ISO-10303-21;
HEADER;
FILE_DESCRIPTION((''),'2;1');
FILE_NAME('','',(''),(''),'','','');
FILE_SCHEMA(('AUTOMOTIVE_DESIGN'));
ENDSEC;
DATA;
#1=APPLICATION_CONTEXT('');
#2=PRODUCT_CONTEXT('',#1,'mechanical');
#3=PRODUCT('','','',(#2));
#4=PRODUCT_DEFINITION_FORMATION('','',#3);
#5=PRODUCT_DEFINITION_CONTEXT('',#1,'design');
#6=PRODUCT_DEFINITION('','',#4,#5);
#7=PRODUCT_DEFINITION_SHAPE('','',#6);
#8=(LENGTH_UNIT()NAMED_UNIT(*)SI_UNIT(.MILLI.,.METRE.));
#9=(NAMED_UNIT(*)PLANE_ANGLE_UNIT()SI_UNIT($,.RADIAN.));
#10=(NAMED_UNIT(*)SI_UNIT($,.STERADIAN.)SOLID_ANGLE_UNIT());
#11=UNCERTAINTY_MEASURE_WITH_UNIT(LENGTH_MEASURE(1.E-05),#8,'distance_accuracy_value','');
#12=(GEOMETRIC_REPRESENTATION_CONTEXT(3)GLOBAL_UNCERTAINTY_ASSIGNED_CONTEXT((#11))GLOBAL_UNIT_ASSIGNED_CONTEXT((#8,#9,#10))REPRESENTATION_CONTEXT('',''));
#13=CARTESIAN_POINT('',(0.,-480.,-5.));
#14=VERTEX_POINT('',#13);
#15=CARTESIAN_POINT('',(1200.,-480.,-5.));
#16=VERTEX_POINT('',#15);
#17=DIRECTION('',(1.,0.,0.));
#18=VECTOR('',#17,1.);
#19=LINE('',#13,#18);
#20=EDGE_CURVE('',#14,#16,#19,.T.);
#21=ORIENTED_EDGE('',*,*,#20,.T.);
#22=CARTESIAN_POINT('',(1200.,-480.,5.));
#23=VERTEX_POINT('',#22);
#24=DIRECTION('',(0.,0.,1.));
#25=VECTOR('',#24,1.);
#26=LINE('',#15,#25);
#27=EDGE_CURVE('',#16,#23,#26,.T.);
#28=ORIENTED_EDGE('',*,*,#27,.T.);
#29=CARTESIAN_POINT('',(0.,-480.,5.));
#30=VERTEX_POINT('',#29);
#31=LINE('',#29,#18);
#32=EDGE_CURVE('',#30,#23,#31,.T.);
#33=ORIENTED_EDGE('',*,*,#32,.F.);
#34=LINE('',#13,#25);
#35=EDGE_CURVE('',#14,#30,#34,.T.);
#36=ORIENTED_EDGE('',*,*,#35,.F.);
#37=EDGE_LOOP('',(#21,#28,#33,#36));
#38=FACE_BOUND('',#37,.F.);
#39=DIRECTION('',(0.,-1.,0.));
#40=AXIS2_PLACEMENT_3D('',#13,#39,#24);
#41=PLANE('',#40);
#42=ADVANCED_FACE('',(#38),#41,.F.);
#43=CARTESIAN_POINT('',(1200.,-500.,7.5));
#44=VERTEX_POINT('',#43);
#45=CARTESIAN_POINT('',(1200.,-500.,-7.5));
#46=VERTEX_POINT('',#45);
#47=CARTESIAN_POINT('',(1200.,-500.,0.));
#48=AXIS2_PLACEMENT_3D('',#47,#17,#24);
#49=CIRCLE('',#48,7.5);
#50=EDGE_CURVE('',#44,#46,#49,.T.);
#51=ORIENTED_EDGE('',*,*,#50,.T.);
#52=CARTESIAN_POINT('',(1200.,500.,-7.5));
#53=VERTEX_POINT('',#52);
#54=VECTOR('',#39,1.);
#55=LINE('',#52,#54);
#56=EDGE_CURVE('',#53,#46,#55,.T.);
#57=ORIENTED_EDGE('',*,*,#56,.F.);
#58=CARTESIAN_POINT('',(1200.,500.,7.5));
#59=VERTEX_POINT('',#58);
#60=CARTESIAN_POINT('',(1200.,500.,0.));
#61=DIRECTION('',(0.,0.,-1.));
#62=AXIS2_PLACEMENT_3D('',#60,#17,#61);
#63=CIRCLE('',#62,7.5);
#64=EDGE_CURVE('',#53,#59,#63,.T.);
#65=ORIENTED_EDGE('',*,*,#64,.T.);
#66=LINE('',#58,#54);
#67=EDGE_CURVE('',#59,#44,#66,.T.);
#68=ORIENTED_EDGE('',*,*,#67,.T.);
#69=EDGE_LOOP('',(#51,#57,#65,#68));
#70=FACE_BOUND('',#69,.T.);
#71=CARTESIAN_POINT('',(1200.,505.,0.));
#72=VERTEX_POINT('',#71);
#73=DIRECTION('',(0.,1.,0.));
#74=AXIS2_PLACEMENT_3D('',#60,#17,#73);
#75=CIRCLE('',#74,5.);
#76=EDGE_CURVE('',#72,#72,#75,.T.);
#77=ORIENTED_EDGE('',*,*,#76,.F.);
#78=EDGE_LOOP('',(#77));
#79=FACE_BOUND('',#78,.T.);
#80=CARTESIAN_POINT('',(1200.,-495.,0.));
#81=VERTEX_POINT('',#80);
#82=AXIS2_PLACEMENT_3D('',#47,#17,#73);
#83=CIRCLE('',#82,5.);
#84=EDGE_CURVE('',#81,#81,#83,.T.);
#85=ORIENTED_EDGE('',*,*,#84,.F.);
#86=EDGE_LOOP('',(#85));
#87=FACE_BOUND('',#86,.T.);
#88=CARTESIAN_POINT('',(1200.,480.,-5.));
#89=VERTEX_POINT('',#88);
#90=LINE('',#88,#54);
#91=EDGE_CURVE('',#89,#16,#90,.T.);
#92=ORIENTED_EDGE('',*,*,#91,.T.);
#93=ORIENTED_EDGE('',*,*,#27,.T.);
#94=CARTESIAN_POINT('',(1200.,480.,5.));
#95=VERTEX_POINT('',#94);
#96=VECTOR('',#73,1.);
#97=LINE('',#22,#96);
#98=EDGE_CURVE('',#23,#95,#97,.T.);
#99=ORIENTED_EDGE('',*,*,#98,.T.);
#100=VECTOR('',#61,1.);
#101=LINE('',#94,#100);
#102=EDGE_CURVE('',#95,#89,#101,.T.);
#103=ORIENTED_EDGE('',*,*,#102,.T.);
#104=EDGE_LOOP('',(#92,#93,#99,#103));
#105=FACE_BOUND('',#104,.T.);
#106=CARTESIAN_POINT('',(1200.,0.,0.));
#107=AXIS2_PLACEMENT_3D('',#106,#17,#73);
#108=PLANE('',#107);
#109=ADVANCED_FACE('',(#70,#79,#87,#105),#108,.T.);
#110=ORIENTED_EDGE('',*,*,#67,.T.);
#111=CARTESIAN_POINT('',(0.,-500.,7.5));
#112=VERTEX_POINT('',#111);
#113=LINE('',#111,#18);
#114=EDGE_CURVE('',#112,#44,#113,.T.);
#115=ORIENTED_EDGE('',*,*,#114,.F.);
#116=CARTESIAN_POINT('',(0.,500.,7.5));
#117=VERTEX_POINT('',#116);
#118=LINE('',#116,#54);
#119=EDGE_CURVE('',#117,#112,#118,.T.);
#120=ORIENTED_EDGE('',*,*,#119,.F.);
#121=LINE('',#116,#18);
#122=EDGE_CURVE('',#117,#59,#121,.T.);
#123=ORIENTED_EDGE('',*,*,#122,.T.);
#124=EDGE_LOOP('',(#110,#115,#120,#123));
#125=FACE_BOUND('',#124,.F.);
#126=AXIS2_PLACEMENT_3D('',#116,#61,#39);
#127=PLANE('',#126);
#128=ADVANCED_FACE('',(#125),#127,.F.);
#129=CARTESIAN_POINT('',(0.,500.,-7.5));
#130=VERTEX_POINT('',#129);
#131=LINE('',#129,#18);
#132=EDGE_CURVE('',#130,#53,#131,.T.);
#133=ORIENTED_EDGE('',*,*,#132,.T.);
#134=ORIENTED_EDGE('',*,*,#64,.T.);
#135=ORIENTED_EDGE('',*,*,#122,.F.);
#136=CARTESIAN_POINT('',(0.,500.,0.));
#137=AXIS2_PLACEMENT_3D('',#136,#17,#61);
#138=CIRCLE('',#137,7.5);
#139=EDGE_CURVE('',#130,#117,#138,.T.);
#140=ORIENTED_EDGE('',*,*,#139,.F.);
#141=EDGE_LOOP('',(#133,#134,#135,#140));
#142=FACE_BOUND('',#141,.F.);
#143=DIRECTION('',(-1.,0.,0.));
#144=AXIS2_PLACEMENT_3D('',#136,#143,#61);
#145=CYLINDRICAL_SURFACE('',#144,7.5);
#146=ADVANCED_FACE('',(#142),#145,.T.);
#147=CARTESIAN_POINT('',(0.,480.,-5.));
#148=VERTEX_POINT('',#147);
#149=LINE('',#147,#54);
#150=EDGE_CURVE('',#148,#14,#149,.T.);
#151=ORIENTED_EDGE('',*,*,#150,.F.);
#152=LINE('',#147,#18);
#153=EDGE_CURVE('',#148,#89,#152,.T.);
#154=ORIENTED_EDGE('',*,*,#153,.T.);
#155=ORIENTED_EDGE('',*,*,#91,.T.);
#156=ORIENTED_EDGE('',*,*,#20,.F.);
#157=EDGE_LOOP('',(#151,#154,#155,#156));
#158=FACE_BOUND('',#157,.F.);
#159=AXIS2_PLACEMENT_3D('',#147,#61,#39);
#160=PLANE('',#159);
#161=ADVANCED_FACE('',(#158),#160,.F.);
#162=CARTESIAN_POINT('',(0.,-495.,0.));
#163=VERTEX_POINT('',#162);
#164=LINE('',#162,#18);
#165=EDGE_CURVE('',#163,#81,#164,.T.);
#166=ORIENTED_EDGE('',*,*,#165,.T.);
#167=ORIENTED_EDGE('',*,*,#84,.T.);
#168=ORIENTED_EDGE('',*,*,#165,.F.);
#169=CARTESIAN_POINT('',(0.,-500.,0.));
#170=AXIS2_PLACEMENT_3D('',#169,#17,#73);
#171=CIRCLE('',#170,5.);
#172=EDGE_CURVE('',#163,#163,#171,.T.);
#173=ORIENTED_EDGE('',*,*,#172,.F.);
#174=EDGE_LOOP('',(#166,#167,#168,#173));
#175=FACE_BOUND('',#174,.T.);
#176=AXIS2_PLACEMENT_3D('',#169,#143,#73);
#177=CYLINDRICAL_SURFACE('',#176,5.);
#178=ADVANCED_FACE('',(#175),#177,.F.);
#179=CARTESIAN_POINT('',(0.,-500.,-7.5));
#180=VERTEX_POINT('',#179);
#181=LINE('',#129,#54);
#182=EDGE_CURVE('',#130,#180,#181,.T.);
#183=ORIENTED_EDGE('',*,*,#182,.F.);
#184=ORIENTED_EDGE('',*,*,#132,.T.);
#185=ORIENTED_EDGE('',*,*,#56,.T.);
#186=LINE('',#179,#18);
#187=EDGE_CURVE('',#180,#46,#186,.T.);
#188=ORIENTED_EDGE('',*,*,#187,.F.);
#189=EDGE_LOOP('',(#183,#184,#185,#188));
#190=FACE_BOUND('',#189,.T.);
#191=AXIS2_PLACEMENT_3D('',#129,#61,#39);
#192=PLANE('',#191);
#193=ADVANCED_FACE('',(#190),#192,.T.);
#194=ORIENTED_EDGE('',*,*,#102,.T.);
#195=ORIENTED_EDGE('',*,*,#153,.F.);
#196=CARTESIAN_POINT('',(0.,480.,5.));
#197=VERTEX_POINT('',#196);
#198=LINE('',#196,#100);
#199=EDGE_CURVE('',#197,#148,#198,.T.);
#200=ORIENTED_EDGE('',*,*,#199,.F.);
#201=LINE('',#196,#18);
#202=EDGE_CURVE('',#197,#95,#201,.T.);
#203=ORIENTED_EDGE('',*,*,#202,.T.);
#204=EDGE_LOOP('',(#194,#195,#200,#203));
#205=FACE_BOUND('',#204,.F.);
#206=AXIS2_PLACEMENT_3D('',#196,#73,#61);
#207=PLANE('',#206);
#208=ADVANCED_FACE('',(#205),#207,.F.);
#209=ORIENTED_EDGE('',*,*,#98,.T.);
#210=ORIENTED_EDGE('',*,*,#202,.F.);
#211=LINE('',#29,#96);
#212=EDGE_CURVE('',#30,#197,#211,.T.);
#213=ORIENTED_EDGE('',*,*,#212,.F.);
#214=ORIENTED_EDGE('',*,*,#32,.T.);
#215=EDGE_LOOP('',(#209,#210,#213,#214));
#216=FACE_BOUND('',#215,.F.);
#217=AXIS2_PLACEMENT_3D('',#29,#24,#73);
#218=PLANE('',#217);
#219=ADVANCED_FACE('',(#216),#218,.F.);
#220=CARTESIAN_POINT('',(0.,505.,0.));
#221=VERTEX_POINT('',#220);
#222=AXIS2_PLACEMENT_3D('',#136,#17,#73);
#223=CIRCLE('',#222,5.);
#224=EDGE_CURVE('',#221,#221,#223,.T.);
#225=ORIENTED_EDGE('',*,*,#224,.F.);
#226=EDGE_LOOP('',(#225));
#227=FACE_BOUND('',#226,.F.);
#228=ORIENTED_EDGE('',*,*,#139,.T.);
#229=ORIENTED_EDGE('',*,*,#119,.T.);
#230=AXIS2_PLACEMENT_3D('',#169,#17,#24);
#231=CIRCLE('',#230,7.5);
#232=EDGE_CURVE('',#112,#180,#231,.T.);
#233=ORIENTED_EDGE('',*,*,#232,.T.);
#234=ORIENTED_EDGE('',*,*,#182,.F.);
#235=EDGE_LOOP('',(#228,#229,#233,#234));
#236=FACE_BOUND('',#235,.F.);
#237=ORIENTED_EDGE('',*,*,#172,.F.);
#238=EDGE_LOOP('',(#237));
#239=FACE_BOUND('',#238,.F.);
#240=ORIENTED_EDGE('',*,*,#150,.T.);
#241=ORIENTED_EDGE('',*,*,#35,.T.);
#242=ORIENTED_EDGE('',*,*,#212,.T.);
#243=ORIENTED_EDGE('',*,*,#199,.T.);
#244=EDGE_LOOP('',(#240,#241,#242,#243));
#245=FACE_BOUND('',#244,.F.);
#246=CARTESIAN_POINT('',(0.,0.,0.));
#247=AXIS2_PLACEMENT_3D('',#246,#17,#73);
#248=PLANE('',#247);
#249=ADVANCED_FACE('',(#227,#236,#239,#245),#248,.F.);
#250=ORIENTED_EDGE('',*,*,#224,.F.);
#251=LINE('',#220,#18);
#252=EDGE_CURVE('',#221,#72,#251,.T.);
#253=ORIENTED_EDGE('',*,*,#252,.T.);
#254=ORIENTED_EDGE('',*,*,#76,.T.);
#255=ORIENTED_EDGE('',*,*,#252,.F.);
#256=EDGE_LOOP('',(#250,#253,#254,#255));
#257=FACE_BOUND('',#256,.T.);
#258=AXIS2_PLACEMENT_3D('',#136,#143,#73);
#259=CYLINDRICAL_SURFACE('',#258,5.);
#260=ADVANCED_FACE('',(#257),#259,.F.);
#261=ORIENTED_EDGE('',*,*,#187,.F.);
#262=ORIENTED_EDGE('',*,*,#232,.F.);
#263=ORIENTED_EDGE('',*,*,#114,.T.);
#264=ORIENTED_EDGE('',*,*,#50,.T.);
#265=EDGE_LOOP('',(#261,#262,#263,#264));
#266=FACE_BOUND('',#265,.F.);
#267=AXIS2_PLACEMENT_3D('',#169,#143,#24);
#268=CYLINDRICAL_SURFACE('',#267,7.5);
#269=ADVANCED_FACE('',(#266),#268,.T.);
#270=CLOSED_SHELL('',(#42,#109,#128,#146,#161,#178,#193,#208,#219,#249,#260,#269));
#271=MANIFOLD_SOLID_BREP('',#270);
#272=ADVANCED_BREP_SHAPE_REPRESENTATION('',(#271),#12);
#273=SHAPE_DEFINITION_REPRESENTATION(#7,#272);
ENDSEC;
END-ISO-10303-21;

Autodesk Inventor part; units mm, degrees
ref_plane "YZ Plane" through (0, 0, 0) normal (1, 0, 0) x (0, 1, 0)
ref_plane "XZ Plane" through (0, 0, 0) normal (0, 1, 0) x (-1, 0, 0)
ref_plane "XY Plane" through (0, 0, 0) normal (0, 0, 1) x (1, 0, 0)
sketch "Sketch1" plane through (0, 0, 0) normal (1, 0, 0) x (0, 1, 0)
  circle A0 centre (500, 0) radius 5
  circle A1 centre (-500, 0) radius 5
  arc A2 (500, -7.5) -> (500, 7.5) centre (500, 0) ccw
  arc A3 (-500, 7.5) -> (-500, -7.5) centre (-500, 0) ccw
  line L0 (500, -7.5) -> (-500, -7.5)
  line L1 (500, 7.5) -> (-500, 7.5)
  line L2 (-480, 5) -> (480, 5)
  line L3 (480, 5) -> (480, -5)
  line L4 (480, -5) -> (-480, -5)
  line L5 (-480, -5) -> (-480, 5)
  line L6 (-480, 5) -> (480, -5) construction
  line L7 (480, 5) -> (-480, -5) construction
  point P0 (0, 0)
  dimension "d0" = 10
  dimension "d1" = 10
  dimension "d2" = 15
  dimension "d3" = 15
  dimension "d4" = 1000
  dimension "d5" = 1000
  dimension "d6" = 960
  dimension "d7" = 10
extrude "Extrusion1" add sketch "Sketch1" along normal blind 1200
properties part number "Conveyer Belt"
